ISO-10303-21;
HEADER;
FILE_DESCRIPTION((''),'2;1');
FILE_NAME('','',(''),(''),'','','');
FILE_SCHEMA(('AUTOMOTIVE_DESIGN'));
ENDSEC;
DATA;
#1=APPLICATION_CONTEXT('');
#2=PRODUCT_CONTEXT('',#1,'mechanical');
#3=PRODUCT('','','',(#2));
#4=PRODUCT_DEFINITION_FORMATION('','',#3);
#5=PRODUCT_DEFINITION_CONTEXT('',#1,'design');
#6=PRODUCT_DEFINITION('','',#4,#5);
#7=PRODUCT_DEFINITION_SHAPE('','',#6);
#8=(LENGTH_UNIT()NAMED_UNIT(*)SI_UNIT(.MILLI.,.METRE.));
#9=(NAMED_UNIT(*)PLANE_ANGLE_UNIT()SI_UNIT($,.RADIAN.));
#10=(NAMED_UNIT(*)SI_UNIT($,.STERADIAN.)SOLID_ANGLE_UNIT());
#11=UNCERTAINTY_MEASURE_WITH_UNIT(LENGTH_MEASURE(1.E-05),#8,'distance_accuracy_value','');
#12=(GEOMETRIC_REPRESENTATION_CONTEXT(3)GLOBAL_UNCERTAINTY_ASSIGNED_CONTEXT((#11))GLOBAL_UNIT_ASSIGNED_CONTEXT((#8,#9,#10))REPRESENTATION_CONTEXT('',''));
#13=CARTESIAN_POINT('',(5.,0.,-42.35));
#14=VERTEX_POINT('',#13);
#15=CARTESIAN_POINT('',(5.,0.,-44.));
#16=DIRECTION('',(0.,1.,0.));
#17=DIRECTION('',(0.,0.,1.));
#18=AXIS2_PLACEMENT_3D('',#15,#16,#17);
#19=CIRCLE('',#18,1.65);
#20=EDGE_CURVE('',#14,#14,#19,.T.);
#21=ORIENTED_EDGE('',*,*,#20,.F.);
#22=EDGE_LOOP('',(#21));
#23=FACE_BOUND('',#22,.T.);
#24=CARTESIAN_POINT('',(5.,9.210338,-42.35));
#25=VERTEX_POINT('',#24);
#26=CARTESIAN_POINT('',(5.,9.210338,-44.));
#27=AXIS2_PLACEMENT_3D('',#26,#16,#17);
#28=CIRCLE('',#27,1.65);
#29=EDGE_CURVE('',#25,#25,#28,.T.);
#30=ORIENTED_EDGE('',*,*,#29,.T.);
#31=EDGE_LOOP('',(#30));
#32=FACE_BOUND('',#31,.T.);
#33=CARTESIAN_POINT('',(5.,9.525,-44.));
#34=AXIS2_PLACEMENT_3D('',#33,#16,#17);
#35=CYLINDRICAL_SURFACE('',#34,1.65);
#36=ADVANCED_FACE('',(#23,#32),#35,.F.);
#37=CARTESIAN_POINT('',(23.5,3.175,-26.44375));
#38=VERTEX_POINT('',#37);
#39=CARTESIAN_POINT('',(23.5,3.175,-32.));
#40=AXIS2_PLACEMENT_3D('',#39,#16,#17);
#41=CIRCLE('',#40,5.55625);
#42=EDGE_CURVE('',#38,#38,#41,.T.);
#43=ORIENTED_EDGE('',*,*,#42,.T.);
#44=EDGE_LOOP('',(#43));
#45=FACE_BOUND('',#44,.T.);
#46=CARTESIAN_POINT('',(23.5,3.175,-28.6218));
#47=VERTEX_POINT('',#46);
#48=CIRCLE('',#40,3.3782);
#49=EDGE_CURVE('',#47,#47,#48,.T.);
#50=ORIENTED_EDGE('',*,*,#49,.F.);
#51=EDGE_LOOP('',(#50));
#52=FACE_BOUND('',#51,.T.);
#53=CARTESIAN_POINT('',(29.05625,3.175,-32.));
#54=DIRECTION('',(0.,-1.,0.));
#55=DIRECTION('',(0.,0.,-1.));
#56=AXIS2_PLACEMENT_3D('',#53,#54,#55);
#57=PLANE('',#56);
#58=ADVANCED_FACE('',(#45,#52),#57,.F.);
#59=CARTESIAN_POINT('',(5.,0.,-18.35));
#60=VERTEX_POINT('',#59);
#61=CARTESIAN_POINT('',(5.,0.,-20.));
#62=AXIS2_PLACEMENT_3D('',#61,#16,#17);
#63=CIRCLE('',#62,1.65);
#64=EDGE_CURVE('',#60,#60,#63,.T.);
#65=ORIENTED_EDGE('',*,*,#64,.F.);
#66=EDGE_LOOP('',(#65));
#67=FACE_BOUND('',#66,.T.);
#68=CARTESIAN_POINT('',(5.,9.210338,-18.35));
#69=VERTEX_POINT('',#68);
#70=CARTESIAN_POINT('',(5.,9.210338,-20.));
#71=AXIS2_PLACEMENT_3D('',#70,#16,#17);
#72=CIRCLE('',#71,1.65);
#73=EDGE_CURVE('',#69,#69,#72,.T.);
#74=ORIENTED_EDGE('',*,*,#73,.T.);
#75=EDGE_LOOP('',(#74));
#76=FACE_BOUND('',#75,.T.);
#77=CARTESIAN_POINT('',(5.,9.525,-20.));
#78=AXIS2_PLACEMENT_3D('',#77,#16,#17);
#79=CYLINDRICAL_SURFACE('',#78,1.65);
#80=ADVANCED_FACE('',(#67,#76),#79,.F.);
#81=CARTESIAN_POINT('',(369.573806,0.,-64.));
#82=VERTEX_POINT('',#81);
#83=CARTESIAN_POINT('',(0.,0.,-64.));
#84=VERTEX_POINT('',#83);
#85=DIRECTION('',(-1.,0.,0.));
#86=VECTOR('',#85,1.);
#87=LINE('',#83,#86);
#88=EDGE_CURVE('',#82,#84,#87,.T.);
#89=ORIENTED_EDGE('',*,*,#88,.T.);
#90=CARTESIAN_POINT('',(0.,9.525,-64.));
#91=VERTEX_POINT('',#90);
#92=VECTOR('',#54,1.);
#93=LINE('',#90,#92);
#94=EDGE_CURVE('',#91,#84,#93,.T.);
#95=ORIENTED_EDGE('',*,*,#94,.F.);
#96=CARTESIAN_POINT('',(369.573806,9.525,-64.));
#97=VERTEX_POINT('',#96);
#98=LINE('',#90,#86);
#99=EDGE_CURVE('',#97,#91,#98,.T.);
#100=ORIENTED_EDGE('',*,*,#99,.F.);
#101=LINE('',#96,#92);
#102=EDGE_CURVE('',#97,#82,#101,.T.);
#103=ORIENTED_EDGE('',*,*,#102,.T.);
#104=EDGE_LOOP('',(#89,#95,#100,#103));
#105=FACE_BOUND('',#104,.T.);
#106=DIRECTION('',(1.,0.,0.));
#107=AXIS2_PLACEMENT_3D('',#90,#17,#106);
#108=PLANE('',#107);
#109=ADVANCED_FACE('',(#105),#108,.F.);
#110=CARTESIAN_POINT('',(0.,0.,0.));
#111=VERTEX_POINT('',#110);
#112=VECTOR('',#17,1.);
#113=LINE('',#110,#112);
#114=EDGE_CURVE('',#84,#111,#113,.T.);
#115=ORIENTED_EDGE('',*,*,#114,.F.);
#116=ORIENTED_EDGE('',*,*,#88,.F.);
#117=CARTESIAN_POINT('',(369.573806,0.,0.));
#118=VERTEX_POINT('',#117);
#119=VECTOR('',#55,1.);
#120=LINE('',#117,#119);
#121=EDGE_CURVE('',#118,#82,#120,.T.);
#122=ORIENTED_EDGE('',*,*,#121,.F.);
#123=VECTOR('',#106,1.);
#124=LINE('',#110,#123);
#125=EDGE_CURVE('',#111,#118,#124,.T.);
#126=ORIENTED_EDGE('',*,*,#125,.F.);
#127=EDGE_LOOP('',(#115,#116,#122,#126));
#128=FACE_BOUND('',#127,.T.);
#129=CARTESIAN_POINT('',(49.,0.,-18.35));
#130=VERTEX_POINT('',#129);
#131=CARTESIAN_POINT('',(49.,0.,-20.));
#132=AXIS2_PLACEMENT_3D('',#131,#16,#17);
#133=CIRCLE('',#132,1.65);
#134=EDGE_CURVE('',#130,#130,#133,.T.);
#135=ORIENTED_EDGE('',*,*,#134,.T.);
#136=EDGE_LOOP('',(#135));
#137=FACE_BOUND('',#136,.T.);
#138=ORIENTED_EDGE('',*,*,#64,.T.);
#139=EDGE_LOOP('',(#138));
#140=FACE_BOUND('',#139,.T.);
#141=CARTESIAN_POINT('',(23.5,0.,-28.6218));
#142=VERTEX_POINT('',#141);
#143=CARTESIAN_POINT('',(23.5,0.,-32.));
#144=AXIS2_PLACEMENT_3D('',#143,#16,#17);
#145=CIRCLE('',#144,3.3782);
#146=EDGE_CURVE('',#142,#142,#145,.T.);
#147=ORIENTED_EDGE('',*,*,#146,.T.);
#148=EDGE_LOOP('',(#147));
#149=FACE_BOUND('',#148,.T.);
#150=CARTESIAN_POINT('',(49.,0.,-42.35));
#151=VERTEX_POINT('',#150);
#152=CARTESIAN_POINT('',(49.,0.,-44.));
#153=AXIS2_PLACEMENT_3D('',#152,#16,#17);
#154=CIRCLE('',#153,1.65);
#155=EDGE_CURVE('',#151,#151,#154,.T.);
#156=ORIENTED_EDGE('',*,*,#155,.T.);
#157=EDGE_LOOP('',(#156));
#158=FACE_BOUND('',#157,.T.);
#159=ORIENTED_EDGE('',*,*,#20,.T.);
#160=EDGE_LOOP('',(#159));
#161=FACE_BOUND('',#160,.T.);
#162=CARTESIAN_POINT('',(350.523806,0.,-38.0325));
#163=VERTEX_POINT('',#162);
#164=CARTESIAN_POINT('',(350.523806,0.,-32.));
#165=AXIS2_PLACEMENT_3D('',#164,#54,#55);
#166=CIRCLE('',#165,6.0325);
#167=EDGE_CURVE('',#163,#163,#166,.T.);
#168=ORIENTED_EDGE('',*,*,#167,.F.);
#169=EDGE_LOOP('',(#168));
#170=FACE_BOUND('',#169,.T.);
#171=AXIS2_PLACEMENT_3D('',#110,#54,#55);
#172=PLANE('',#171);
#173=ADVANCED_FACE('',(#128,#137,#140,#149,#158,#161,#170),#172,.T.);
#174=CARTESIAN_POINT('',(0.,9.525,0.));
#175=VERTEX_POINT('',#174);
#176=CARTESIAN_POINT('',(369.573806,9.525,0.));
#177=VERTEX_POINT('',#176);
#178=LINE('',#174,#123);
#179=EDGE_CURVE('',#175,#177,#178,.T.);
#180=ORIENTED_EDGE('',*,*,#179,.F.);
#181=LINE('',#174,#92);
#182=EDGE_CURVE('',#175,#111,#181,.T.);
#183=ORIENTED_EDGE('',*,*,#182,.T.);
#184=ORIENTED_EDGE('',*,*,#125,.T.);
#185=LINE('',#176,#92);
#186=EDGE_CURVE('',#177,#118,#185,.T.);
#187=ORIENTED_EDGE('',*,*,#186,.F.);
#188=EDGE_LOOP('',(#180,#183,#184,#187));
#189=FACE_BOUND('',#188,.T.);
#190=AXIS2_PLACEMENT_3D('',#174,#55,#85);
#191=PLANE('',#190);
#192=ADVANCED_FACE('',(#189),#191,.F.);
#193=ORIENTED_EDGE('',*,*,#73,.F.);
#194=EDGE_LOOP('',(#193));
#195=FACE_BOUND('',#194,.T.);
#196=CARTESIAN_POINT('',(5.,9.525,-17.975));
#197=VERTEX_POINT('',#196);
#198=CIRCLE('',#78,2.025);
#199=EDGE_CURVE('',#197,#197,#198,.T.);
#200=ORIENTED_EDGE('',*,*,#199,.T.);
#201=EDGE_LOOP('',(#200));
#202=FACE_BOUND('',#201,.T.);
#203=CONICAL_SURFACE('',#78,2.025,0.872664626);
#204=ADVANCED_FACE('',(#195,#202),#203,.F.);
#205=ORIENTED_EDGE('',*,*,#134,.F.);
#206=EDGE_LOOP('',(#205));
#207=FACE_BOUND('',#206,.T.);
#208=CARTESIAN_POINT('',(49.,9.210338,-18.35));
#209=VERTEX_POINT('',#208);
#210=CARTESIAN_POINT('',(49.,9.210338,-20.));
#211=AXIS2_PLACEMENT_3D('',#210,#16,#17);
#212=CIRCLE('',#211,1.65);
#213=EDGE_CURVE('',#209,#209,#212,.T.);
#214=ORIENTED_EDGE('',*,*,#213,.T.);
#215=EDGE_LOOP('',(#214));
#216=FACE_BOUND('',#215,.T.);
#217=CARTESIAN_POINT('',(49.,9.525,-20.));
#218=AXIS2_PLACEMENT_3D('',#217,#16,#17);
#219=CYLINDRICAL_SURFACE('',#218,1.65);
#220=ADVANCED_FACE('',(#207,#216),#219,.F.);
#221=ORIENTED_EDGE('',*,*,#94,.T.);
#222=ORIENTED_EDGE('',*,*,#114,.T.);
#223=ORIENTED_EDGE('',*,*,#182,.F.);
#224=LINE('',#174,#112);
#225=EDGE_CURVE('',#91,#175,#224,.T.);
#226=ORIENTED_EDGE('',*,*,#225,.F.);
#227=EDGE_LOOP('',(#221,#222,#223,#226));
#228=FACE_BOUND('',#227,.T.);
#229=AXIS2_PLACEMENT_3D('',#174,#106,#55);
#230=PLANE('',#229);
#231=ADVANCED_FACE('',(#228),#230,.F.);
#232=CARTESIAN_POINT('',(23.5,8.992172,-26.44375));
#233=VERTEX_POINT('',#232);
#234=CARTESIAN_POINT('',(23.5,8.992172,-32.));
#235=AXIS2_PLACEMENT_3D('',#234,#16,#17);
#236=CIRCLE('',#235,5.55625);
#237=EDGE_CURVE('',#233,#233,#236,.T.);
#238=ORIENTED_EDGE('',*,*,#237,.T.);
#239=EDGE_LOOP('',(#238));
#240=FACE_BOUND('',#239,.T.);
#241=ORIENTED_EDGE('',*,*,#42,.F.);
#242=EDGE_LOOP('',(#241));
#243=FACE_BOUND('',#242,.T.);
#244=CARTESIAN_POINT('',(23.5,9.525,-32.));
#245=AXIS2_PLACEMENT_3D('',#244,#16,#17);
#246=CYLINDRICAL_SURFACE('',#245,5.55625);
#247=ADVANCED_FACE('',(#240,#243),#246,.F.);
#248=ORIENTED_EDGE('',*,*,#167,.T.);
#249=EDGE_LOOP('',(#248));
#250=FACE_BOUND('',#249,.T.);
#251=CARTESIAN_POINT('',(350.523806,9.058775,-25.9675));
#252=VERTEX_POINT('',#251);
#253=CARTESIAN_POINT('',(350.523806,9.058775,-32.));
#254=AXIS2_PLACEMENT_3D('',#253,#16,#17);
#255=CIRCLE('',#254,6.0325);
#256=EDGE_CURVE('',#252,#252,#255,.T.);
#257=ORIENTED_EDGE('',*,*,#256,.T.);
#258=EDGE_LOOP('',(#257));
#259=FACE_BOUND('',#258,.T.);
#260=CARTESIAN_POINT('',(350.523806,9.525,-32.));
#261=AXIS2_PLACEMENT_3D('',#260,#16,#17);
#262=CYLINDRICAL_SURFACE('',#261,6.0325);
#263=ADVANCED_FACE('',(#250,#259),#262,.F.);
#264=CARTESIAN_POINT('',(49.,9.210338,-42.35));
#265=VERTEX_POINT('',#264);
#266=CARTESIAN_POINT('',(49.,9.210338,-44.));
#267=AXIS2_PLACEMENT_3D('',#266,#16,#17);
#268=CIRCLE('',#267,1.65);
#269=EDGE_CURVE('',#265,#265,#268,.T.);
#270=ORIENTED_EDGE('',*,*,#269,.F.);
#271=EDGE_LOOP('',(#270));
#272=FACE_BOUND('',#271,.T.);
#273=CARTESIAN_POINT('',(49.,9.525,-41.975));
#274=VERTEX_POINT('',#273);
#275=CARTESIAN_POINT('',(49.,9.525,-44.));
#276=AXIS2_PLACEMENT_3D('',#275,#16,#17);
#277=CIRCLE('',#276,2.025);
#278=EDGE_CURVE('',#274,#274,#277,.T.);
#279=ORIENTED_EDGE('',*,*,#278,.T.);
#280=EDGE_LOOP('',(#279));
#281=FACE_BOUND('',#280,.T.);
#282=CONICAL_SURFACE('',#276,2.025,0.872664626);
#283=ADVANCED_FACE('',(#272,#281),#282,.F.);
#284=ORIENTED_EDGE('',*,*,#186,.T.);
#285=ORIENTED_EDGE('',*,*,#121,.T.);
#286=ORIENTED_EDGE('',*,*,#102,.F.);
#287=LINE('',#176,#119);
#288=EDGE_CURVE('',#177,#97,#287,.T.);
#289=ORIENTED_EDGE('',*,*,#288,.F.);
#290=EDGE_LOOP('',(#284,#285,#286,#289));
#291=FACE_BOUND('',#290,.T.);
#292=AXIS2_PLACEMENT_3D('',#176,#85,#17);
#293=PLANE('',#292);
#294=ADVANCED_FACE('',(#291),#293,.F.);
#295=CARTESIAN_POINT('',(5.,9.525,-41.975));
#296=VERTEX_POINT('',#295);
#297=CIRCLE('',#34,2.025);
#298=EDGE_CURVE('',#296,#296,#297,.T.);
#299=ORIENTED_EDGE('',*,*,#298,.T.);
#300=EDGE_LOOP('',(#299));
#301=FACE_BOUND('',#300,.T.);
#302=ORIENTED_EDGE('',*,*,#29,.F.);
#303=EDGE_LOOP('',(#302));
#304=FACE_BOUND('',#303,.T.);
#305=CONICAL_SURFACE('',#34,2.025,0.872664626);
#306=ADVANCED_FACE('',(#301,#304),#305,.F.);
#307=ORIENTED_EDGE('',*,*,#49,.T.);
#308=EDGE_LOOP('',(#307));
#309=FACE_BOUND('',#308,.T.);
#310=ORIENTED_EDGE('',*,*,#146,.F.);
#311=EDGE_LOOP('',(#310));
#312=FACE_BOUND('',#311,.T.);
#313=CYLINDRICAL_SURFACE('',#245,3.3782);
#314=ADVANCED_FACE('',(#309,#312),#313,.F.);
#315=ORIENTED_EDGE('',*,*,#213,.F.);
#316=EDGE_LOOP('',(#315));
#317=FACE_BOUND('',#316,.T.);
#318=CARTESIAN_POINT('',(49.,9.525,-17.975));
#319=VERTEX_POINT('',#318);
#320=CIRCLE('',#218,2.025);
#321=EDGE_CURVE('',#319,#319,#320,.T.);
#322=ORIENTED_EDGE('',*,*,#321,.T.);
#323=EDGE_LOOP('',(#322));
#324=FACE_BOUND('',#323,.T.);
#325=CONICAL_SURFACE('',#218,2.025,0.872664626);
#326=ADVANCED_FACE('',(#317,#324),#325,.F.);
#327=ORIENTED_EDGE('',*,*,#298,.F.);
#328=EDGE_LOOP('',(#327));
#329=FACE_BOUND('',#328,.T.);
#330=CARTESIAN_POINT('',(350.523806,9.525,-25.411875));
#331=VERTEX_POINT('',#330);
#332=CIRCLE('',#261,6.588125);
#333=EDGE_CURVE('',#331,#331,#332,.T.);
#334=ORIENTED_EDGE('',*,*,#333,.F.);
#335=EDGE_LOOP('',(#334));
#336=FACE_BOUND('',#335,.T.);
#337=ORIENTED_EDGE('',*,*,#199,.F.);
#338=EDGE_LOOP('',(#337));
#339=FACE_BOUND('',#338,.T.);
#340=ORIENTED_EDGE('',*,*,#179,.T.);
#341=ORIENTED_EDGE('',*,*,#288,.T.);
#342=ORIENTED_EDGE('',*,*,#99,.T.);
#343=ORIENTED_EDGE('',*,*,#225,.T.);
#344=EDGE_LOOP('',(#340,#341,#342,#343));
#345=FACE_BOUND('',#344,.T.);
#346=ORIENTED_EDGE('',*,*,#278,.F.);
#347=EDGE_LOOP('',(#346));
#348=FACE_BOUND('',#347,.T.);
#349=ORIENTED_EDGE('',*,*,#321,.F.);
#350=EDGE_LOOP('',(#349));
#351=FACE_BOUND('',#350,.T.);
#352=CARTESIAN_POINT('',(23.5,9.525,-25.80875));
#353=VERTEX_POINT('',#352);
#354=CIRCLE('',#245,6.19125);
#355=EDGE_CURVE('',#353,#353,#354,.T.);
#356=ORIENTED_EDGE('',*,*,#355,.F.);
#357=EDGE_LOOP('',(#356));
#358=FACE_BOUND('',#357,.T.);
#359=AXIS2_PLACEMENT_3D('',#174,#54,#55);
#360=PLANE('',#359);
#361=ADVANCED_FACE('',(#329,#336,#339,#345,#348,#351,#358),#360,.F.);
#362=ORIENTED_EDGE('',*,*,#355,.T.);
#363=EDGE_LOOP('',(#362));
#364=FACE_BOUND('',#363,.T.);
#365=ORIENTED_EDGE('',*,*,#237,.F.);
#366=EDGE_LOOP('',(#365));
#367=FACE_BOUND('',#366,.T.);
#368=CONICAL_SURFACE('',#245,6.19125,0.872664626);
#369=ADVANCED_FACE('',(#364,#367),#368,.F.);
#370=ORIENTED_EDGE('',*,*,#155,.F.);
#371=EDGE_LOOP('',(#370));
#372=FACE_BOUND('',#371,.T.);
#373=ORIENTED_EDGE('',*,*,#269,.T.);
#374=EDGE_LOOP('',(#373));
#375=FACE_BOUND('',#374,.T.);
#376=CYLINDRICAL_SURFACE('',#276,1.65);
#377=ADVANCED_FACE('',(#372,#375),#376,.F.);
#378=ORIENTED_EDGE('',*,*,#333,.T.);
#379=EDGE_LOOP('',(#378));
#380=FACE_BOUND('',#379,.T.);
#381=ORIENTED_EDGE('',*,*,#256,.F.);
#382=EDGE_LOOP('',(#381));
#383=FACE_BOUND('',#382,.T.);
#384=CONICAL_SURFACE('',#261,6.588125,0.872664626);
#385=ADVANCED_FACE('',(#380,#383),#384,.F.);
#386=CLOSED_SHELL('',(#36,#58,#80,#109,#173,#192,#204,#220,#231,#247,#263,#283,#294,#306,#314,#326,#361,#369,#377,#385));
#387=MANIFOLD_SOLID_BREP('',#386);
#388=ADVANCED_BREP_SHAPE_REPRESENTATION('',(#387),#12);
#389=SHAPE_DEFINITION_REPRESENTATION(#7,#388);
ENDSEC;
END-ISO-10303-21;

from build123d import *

# Parameters (mm, degrees)
SKETCH1_W                                = 369.57380619
SKETCH1_H                                = 64
BOSS_EXTRUDE1_DEPTH                      = 9.525
F_15_32_0_475_DIAMETER_HOLE1_D           = 12.065
F_15_32_0_475_DIAMETER_HOLE1_DEPTH       = 10.1092
F_15_32_0_475_DIAMETER_HOLE1_CSINK_D     = 13.17625
F_15_32_0_475_DIAMETER_HOLE1_CSINK_ANGLE = 100
F_15_32_0_475_DIAMETER_HOLE1_TIP         = 3.624691684
M4X0_7_TAPPED_HOLE1_D                    = 3.3
M4X0_7_TAPPED_HOLE1_CSINK_D              = 4.05
M4X0_7_TAPPED_HOLE1_CSINK_ANGLE          = 100


with BuildPart() as part:
    # Sketch1 → Boss-Extrude1 (new body)
    with BuildSketch(Plane(origin=(0, 0, 0), x_dir=(1, 0, 0), z_dir=(0, 1, 0))):
        with Locations((184.786903095, 32)):
            Rectangle(SKETCH1_W, SKETCH1_H)
    extrude(amount=BOSS_EXTRUDE1_DEPTH)

    # 15/32 (0.475) Diameter Hole1
    with Locations(Plane(origin=(0, 9.525, 0), x_dir=(1, 0, 0), z_dir=(0, 1, 0))):
        with Locations((350.52380619, 32)):
            CounterSinkHole(F_15_32_0_475_DIAMETER_HOLE1_D / 2, F_15_32_0_475_DIAMETER_HOLE1_CSINK_D / 2, depth=F_15_32_0_475_DIAMETER_HOLE1_DEPTH, counter_sink_angle=F_15_32_0_475_DIAMETER_HOLE1_CSINK_ANGLE)
            with Locations((0, 0, -(F_15_32_0_475_DIAMETER_HOLE1_DEPTH + F_15_32_0_475_DIAMETER_HOLE1_TIP / 2))):  # 118° drill point
                Cone(0, F_15_32_0_475_DIAMETER_HOLE1_D / 2, F_15_32_0_475_DIAMETER_HOLE1_TIP, mode=Mode.SUBTRACT)

    # M4x0.7 Tapped Hole1 (through all)
    with Locations(Plane(origin=(0, 9.525, 0), x_dir=(1, 0, 0), z_dir=(0, 1, 0))):
        with Locations((49, 44), (49, 20), (5, 44), (5, 20)):
            CounterSinkHole(M4X0_7_TAPPED_HOLE1_D / 2, M4X0_7_TAPPED_HOLE1_CSINK_D / 2, counter_sink_angle=M4X0_7_TAPPED_HOLE1_CSINK_ANGLE)

    # Sketch11 → CBORE for 1/4 Socket Head Cap Screw1 (revolve, cut)
    with BuildSketch(Plane(origin=(23.5, 9.525, -32), x_dir=(0, 0, 1), z_dir=(1, 0, 0))):
        Polygon((0, 0), (0, 9.525), (3.3782, 9.525), (3.3782, 6.35), (5.55625, 6.35), (5.55625, 0.532828266), (6.19125, 0), align=None)
    revolve(axis=Axis((23.5, 15.875, -32), (0, -1, 0)), mode=Mode.SUBTRACT)


solid = part.part
